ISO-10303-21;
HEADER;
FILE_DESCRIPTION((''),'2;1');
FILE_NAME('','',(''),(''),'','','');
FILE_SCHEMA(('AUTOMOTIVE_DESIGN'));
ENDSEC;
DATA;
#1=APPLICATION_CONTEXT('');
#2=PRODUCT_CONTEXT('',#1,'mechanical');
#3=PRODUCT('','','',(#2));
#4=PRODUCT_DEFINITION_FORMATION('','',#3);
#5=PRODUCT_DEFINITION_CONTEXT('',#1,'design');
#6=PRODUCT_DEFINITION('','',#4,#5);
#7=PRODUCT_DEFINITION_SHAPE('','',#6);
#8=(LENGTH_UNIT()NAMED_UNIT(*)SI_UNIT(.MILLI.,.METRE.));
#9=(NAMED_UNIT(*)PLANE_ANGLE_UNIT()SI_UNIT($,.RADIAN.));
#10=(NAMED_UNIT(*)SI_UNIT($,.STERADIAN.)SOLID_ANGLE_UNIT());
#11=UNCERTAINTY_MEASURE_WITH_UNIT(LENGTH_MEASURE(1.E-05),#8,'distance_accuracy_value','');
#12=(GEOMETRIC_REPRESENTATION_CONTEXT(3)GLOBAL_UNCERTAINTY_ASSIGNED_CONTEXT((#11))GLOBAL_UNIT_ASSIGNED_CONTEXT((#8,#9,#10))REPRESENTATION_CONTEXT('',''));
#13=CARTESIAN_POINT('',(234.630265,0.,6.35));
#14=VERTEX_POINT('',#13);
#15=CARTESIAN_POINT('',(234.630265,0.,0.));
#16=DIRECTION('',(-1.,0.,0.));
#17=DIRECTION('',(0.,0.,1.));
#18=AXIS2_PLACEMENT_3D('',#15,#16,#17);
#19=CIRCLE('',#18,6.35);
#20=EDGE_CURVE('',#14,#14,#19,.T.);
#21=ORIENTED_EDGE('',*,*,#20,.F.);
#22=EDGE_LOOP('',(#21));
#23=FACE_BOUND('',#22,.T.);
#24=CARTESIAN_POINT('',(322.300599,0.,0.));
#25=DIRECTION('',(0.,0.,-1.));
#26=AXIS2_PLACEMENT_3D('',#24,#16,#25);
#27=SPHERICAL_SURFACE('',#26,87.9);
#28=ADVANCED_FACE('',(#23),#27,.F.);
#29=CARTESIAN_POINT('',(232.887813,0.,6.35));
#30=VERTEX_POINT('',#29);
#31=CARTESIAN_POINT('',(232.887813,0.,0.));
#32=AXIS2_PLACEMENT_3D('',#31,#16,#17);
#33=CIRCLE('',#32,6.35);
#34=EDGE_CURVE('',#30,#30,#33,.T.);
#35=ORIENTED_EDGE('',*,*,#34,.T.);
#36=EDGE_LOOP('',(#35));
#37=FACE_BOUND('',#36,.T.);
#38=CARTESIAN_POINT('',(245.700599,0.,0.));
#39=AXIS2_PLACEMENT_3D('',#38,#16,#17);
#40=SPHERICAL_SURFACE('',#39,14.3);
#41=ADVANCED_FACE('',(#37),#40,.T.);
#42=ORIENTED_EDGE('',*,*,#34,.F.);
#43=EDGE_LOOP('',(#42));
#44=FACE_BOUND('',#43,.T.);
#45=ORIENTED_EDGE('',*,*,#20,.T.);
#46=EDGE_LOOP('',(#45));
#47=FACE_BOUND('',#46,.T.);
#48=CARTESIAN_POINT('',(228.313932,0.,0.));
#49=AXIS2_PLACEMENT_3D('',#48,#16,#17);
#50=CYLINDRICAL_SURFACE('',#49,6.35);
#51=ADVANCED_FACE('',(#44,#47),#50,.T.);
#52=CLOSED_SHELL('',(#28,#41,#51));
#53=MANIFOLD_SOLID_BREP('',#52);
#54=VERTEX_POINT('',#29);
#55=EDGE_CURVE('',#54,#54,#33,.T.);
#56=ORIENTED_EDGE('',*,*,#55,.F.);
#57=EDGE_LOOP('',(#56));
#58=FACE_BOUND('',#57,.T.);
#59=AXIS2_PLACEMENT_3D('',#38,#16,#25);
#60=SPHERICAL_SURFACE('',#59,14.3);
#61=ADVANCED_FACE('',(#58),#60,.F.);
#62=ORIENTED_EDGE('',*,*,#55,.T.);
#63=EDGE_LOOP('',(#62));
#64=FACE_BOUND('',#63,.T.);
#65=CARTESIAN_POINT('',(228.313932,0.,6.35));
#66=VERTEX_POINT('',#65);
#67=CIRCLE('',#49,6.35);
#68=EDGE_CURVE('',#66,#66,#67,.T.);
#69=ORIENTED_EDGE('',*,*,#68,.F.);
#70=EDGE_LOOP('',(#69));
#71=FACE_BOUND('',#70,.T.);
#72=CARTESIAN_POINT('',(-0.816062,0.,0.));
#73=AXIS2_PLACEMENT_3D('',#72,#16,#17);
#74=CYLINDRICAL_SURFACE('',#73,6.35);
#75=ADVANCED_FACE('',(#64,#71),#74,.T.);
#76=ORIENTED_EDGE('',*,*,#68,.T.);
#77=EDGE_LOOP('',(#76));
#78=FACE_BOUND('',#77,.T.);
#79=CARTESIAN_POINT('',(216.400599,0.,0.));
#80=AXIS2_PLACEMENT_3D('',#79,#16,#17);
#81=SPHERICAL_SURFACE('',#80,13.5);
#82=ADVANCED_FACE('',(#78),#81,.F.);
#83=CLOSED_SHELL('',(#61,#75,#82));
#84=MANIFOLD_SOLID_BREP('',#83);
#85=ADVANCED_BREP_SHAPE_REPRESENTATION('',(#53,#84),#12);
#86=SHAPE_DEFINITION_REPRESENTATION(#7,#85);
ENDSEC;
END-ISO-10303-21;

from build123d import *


with BuildPart() as part:
    # 草图1 one side → 旋转1 (revolve)
    with BuildSketch(Plane(origin=(0, 0, 0), x_dir=(1, 0, 0), z_dir=(0, 1, 0)), mode=Mode.PRIVATE) as revolve_1_sk:
        with BuildLine():
            Line((232.887812859, 6.35), (228.313932309, 6.35))
            ThreePointArc((228.313932309, 6.35), (229.497927293, 3.272614115), (229.900599442, 0))
            Line((229.900599442, 0), (231.400599442, 0))
            ThreePointArc((231.400599442, 0), (231.777366194, 3.260916426), (232.887812859, 6.35))
        make_face()
    revolve(revolve_1_sk.sketch.rotate(Axis((-0.816062176, 0, 0), (1, 0, 0)), 180), axis=Axis((-0.816062176, 0, 0), (1, 0, 0)))  # turned: the seam where the file's is


with BuildPart() as body_2:
    # 草图2 one side → 旋转3 (revolve)
    with BuildSketch(Plane(origin=(0, 0, 0), x_dir=(1, 0, 0), z_dir=(0, 1, 0)), mode=Mode.PRIVATE) as revolve_3_sk:
        with BuildLine():
            Line((234.630265234, 6.35), (232.887812859, 6.35))
            ThreePointArc((232.887812859, 6.35), (231.777366194, 3.260916426), (231.400599442, 0))
            Line((231.400599442, 0), (234.400599442, 0))
            ThreePointArc((234.400599442, 0), (234.458034654, 3.17707595), (234.630265234, 6.35))
        make_face()
    revolve(revolve_3_sk.sketch.rotate(Axis((228.313932309, 0, 0), (1, 0, 0)), 180), axis=Axis((228.313932309, 0, 0), (1, 0, 0)))  # turned: the seam where the file's is


solid = Compound([part.part, body_2.part])
